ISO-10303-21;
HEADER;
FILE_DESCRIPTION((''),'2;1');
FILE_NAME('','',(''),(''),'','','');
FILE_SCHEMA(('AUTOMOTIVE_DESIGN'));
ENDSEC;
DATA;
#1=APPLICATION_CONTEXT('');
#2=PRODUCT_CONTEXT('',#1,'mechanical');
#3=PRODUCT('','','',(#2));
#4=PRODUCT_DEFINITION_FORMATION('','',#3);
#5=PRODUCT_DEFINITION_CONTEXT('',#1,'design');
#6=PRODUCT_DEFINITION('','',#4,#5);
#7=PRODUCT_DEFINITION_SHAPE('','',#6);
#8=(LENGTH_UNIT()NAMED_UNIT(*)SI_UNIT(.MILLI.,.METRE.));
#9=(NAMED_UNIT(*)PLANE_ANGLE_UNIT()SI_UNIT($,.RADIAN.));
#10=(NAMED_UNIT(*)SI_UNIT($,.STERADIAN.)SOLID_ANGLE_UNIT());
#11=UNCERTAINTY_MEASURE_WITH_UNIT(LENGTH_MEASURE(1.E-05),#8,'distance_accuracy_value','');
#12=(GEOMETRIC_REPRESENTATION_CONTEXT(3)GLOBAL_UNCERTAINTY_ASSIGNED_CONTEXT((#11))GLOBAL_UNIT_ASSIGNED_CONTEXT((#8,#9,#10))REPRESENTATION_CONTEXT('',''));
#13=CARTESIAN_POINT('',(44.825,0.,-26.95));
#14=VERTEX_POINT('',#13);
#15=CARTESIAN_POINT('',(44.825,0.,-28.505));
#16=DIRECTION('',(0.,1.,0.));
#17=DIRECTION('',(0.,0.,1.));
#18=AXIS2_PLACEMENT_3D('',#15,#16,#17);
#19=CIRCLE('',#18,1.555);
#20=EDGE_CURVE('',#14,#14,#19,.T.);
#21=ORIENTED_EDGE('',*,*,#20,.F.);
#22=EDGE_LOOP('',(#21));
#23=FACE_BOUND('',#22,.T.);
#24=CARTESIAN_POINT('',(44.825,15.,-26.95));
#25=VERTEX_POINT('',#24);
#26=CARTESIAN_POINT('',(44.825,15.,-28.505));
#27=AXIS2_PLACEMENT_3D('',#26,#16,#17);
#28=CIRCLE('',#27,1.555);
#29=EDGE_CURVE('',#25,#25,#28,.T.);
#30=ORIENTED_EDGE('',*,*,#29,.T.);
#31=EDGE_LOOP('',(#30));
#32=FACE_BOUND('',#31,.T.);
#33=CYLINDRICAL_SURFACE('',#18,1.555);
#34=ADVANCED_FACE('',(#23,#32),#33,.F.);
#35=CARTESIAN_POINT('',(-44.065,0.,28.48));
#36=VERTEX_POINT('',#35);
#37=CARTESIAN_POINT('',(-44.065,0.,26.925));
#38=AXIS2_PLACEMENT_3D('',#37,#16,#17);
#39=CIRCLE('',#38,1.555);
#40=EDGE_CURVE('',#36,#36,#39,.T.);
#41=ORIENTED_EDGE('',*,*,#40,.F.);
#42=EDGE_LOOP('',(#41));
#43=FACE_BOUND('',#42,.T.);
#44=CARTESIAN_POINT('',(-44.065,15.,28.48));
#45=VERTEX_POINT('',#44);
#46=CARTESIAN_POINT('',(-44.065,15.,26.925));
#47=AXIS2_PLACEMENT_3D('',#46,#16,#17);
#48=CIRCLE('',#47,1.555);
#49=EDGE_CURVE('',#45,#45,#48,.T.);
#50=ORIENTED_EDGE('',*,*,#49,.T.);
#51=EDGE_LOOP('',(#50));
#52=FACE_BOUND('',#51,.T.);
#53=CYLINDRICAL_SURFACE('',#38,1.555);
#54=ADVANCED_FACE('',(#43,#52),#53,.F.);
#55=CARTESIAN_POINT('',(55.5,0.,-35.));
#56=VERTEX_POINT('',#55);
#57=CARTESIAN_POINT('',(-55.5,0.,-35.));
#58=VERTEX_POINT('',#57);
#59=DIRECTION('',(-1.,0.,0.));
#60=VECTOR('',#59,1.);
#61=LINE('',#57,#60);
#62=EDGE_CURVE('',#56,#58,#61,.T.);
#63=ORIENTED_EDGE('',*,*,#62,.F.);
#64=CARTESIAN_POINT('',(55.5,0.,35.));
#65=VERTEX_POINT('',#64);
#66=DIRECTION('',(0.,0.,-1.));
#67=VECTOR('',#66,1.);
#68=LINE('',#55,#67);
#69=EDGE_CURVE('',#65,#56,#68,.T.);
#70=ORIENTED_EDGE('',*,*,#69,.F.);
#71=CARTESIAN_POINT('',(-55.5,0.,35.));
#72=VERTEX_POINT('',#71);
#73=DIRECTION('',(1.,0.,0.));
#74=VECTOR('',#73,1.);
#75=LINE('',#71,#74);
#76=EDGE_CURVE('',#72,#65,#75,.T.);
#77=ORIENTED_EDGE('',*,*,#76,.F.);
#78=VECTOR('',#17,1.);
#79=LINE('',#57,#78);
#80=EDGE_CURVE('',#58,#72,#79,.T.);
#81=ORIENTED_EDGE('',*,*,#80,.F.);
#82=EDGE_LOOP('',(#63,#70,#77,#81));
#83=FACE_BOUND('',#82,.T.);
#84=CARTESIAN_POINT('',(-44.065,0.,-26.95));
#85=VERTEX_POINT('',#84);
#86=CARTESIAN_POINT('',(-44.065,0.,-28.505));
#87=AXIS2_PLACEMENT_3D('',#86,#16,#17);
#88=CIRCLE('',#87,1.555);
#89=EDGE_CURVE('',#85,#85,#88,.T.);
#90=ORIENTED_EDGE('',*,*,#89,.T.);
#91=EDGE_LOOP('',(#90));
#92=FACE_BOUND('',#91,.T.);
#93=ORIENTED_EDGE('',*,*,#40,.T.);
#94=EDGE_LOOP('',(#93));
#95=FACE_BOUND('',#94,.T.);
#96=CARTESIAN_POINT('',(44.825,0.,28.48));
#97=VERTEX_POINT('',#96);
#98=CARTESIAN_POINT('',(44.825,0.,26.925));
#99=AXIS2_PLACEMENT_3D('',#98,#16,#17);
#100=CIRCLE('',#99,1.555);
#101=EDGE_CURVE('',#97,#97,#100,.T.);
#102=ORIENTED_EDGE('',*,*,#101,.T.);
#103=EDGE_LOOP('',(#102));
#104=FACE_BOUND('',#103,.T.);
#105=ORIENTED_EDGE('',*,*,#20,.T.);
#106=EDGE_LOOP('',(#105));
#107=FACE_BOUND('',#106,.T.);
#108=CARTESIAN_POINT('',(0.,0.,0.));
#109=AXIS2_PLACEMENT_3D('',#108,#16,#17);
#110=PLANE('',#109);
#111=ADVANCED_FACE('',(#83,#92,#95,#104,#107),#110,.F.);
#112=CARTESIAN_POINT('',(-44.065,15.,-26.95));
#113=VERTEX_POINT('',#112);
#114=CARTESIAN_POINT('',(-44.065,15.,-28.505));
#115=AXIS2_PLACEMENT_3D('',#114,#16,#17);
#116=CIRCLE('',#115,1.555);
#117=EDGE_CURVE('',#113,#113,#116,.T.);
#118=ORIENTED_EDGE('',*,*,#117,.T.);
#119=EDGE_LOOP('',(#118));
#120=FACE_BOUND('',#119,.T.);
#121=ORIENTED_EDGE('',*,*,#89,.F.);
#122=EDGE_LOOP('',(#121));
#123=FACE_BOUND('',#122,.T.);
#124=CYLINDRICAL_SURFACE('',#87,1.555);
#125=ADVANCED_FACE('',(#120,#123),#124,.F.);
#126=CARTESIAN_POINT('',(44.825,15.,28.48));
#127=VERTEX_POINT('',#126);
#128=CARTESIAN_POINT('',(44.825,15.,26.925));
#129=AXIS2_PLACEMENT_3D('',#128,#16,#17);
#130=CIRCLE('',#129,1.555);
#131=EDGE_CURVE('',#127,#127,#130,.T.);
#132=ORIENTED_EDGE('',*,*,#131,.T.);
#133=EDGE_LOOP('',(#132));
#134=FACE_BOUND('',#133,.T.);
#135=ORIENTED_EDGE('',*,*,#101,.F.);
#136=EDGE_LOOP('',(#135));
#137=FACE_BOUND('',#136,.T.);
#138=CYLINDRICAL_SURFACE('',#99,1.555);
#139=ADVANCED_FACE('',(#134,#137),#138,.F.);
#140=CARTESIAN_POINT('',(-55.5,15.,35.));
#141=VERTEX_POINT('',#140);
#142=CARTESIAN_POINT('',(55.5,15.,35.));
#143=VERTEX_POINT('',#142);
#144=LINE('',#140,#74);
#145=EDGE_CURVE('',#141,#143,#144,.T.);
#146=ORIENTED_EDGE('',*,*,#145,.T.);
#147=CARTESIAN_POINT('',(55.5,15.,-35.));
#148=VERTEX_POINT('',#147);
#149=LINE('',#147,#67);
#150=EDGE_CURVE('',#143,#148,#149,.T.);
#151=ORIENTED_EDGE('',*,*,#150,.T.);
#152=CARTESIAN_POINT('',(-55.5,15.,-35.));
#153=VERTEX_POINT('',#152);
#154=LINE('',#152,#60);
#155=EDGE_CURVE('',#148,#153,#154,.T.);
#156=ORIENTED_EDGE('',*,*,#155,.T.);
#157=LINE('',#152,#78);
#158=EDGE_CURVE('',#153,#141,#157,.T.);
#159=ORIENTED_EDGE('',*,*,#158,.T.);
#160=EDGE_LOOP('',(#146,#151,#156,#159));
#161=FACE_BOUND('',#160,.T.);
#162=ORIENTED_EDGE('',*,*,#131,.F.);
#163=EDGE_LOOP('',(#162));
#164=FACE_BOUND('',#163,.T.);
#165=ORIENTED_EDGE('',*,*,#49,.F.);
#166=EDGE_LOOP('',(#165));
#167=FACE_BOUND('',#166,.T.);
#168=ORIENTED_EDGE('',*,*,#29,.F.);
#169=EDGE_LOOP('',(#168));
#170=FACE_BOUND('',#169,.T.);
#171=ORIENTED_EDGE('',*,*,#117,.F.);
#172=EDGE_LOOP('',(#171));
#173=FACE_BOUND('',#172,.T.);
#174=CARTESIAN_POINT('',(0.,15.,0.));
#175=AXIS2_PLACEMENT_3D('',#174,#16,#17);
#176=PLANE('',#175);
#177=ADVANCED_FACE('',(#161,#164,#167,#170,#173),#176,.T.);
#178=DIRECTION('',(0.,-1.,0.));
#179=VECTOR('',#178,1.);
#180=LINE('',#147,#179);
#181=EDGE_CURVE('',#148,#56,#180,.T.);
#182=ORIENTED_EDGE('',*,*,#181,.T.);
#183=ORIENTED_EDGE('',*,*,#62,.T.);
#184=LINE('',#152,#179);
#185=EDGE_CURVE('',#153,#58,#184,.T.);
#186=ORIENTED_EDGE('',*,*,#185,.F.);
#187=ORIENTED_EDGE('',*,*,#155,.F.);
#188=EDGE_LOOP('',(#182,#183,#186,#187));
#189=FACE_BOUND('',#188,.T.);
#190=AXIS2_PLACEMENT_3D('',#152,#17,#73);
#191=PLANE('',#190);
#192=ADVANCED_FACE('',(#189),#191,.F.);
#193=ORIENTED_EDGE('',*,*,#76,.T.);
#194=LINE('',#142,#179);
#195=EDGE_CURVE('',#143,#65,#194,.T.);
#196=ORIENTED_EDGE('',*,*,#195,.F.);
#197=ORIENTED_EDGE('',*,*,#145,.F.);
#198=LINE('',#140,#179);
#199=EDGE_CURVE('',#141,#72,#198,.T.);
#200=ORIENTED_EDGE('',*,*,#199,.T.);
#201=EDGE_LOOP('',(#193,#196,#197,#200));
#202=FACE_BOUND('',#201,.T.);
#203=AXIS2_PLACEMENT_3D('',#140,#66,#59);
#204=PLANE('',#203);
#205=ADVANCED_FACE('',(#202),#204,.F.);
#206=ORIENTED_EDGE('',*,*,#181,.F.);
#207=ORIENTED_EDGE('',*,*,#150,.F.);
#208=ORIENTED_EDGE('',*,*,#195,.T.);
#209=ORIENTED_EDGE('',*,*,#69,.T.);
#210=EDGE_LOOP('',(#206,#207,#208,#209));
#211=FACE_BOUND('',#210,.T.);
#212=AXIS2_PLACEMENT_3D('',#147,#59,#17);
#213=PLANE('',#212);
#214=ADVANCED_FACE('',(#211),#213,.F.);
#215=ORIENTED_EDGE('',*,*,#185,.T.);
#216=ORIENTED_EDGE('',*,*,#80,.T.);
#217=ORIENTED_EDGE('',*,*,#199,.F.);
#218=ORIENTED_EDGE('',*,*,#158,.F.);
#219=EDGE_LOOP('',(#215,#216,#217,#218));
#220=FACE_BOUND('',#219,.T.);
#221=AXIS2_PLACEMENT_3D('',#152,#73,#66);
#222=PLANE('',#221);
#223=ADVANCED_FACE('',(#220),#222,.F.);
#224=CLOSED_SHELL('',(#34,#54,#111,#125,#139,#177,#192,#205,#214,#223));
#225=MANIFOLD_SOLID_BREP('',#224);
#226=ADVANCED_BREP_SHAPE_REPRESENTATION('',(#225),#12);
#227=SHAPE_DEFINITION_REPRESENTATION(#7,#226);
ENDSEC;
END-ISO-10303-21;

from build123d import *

# Parameters (mm, degrees)
SKETCH1_W           = 111
SKETCH1_H           = 70
BOSS_EXTRUDE1_DEPTH = 15
SKETCH2_R           = 1.555
CUT_EXTRUDE1_DEPTH  = 15


with BuildPart() as part:
    # Sketch1 → Boss-Extrude1 (new body)
    with BuildSketch(Plane(origin=(0, 0, 0), x_dir=(1, 0, 0), z_dir=(0, 1, 0))):
        Rectangle(SKETCH1_W, SKETCH1_H)
    extrude(amount=BOSS_EXTRUDE1_DEPTH)

    # Sketch2 → Cut-Extrude1 (cut)
    with BuildSketch(Plane(origin=(0, 15, 0), x_dir=(1, 0, 0), z_dir=(0, 1, 0))):
        with Locations(Location((-44.065, 28.505, 0), (0, 0, 270))):
            Circle(SKETCH2_R)
        with Locations(Location((-44.065, -26.925, 0), (0, 0, 270))):
            Circle(SKETCH2_R)
        with Locations(Location((44.825, -26.925, 0), (0, 0, 270))):
            Circle(SKETCH2_R)
        with Locations(Location((44.825, 28.505, 0), (0, 0, 270))):
            Circle(SKETCH2_R)
    extrude(amount=-CUT_EXTRUDE1_DEPTH, mode=Mode.SUBTRACT)


solid = part.part
